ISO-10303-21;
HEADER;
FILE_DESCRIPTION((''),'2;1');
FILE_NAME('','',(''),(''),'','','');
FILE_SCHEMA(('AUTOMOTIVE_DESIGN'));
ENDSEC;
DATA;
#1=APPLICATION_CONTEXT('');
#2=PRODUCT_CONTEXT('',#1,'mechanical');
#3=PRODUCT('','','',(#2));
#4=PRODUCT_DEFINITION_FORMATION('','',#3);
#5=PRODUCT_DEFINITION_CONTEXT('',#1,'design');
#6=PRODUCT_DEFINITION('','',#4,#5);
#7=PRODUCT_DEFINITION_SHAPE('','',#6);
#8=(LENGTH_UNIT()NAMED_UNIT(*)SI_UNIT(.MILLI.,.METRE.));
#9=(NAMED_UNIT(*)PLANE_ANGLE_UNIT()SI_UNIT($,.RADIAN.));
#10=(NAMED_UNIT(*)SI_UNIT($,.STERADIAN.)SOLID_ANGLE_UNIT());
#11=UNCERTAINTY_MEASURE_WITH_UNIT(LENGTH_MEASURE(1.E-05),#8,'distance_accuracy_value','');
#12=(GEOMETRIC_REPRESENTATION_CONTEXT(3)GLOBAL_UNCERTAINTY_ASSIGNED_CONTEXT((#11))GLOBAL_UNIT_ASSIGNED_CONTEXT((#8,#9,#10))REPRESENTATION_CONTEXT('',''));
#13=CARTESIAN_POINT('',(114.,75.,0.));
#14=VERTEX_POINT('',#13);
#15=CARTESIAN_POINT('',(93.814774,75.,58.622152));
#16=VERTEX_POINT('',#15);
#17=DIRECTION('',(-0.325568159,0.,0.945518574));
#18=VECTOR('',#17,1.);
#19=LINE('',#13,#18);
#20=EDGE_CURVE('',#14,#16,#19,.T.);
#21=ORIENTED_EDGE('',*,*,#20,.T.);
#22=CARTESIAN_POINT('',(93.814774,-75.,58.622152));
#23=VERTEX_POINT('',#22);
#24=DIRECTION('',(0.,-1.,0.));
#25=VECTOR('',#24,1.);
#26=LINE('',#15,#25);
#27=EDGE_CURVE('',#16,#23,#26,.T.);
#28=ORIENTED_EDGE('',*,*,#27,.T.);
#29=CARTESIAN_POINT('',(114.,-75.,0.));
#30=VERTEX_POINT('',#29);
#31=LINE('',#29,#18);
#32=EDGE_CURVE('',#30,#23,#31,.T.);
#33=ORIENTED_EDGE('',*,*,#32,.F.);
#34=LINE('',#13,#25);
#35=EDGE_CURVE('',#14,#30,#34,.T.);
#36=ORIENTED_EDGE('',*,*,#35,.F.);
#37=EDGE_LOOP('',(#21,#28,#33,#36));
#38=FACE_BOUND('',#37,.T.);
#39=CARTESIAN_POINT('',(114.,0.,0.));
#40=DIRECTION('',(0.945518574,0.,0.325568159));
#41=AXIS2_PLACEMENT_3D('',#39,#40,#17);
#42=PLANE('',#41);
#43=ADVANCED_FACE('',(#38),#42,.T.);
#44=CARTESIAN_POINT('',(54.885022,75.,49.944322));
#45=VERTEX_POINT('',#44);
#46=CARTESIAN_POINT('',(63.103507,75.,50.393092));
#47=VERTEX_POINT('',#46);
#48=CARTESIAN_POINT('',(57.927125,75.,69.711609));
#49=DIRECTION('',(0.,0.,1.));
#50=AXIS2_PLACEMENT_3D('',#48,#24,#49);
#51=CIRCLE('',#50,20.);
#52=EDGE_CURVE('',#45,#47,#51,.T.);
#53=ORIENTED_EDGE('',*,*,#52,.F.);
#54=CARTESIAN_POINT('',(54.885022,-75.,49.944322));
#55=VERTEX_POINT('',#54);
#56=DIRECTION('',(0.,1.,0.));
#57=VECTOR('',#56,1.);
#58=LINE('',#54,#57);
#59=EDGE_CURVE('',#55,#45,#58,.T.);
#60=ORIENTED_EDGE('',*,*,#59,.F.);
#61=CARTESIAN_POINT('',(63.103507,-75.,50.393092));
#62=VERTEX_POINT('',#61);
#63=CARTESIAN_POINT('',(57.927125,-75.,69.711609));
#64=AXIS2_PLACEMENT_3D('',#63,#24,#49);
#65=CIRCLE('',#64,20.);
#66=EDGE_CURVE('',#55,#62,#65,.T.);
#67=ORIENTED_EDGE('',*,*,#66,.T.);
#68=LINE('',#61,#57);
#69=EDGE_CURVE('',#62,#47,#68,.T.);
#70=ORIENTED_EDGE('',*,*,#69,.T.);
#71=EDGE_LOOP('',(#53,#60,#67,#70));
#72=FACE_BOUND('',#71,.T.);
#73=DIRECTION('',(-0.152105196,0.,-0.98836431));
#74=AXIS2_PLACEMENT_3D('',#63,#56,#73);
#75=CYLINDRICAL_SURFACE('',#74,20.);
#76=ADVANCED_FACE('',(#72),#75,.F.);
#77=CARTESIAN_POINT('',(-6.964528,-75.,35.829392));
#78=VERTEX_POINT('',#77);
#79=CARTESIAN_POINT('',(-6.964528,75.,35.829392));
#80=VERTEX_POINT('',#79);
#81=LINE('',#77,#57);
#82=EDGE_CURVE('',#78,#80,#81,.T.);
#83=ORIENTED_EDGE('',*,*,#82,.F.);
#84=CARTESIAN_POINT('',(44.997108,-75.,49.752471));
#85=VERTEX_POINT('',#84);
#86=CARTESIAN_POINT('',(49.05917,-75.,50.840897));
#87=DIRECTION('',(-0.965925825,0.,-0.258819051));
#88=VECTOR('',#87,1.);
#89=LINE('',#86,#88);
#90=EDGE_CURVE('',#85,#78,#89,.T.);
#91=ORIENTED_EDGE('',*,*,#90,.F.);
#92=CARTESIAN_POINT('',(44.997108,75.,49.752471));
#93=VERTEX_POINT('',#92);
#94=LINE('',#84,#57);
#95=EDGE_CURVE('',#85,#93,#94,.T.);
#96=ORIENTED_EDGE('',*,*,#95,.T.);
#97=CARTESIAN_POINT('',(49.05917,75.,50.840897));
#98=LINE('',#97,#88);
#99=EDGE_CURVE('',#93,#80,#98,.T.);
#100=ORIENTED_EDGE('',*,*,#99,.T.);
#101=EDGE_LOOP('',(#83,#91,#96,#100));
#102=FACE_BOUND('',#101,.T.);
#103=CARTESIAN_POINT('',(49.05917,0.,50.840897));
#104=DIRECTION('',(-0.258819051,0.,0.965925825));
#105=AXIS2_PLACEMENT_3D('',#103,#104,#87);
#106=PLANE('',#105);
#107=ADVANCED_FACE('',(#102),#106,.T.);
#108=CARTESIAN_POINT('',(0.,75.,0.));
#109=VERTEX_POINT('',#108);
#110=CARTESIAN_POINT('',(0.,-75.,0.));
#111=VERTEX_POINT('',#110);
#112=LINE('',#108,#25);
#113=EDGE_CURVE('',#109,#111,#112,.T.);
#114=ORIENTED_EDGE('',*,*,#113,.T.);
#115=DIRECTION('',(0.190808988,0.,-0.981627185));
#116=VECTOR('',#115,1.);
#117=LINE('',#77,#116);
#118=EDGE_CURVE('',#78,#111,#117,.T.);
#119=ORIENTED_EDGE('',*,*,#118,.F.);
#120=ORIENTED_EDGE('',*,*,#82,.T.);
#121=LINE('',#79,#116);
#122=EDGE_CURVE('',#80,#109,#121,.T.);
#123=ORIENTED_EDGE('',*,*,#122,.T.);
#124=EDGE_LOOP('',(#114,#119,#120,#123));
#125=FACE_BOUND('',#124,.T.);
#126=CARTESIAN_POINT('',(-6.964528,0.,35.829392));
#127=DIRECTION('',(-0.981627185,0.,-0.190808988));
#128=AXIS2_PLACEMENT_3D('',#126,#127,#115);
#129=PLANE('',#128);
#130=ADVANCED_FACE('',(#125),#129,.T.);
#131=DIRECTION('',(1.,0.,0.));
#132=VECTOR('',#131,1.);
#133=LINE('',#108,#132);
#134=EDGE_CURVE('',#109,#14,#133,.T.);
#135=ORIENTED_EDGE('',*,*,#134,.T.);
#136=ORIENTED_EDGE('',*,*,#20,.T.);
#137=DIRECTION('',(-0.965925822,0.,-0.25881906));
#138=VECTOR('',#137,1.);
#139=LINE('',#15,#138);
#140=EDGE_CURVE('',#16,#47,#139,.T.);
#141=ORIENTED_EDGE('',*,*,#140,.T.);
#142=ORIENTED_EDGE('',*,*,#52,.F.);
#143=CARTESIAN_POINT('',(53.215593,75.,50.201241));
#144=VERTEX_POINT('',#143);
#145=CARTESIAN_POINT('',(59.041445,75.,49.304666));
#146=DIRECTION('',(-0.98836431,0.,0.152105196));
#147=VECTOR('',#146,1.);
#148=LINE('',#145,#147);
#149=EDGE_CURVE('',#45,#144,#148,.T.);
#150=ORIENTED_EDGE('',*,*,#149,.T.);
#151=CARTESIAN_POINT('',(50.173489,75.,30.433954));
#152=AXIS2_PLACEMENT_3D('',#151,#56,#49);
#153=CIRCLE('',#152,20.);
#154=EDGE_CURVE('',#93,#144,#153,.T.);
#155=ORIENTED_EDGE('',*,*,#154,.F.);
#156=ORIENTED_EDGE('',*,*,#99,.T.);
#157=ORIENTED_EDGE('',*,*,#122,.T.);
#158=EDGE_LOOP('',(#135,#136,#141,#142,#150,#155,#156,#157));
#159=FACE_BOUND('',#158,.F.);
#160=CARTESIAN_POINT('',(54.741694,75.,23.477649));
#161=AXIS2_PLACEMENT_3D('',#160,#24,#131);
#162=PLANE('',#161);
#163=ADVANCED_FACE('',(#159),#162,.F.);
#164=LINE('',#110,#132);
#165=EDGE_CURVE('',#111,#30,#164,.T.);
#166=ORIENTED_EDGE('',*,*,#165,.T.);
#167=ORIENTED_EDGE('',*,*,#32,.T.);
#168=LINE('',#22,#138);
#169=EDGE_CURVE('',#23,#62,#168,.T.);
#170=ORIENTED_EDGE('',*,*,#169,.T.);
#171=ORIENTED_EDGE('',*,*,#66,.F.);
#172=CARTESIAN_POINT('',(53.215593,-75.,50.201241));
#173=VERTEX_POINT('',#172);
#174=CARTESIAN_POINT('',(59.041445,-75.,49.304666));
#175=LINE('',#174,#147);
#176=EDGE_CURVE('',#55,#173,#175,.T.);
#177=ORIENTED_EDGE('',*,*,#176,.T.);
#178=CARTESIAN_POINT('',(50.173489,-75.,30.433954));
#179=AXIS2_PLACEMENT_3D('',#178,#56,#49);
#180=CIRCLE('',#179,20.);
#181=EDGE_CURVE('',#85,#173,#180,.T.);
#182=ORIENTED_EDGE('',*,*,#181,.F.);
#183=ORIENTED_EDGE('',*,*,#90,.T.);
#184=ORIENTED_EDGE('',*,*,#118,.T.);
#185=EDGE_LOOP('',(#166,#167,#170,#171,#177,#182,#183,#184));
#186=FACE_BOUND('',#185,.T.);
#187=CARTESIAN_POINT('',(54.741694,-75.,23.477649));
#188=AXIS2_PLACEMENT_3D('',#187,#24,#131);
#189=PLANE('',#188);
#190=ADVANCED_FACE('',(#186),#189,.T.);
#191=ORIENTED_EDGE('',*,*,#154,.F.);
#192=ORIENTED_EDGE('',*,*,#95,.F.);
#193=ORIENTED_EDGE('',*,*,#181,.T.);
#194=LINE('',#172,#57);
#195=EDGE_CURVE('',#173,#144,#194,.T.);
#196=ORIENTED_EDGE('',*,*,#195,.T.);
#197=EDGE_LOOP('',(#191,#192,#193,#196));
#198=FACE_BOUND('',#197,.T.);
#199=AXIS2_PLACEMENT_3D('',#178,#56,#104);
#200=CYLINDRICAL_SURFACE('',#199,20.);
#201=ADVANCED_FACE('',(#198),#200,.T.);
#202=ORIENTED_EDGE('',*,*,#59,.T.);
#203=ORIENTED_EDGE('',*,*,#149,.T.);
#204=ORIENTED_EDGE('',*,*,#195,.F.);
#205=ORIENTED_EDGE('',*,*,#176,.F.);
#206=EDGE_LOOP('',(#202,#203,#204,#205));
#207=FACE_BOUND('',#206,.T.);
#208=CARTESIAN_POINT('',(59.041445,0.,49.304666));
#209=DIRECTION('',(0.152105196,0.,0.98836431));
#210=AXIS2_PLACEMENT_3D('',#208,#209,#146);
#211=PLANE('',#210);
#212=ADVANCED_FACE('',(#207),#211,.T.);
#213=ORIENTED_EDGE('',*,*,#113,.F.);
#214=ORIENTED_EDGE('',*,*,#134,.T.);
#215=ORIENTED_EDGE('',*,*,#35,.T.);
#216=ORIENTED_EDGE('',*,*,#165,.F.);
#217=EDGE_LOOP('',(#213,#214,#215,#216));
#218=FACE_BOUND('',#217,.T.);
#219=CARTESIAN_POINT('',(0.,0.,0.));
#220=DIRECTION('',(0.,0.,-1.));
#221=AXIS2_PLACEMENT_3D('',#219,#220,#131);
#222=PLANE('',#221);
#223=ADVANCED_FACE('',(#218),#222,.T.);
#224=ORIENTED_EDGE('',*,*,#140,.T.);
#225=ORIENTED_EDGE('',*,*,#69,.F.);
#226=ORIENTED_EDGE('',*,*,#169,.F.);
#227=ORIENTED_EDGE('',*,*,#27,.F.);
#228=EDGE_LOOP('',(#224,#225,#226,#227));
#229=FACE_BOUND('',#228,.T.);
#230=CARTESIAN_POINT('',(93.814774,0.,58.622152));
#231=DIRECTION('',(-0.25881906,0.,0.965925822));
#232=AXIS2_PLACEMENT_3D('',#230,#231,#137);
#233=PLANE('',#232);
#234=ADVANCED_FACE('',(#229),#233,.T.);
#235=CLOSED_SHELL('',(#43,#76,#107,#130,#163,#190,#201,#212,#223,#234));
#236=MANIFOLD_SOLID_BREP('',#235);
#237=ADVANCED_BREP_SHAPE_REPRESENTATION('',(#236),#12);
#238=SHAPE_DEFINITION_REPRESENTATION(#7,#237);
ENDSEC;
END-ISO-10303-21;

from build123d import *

# Parameters (mm, degrees)
F1_DEPTH = 75
F2_R     = 20


with BuildPart() as f1:
    # F0 (on Front) → F1 (new body, symmetric)
    with BuildSketch(Plane.XZ):
        Polygon((-6.964528, 35.829392), (0, 0), (114, 0), (93.814774, 58.622152), (59.041445, 49.304666), (49.05917, 50.840897), align=None)
    extrude(amount=F1_DEPTH, both=True)

    # F2
    f2_edges = [f1.edges().sort_by_distance(p)[0] for p in [
        (49.05917, 0, 50.840897),
        (59.041445, 0, 49.304666),
    ]]
    fillet(f2_edges, radius=F2_R)


solid = f1.part
